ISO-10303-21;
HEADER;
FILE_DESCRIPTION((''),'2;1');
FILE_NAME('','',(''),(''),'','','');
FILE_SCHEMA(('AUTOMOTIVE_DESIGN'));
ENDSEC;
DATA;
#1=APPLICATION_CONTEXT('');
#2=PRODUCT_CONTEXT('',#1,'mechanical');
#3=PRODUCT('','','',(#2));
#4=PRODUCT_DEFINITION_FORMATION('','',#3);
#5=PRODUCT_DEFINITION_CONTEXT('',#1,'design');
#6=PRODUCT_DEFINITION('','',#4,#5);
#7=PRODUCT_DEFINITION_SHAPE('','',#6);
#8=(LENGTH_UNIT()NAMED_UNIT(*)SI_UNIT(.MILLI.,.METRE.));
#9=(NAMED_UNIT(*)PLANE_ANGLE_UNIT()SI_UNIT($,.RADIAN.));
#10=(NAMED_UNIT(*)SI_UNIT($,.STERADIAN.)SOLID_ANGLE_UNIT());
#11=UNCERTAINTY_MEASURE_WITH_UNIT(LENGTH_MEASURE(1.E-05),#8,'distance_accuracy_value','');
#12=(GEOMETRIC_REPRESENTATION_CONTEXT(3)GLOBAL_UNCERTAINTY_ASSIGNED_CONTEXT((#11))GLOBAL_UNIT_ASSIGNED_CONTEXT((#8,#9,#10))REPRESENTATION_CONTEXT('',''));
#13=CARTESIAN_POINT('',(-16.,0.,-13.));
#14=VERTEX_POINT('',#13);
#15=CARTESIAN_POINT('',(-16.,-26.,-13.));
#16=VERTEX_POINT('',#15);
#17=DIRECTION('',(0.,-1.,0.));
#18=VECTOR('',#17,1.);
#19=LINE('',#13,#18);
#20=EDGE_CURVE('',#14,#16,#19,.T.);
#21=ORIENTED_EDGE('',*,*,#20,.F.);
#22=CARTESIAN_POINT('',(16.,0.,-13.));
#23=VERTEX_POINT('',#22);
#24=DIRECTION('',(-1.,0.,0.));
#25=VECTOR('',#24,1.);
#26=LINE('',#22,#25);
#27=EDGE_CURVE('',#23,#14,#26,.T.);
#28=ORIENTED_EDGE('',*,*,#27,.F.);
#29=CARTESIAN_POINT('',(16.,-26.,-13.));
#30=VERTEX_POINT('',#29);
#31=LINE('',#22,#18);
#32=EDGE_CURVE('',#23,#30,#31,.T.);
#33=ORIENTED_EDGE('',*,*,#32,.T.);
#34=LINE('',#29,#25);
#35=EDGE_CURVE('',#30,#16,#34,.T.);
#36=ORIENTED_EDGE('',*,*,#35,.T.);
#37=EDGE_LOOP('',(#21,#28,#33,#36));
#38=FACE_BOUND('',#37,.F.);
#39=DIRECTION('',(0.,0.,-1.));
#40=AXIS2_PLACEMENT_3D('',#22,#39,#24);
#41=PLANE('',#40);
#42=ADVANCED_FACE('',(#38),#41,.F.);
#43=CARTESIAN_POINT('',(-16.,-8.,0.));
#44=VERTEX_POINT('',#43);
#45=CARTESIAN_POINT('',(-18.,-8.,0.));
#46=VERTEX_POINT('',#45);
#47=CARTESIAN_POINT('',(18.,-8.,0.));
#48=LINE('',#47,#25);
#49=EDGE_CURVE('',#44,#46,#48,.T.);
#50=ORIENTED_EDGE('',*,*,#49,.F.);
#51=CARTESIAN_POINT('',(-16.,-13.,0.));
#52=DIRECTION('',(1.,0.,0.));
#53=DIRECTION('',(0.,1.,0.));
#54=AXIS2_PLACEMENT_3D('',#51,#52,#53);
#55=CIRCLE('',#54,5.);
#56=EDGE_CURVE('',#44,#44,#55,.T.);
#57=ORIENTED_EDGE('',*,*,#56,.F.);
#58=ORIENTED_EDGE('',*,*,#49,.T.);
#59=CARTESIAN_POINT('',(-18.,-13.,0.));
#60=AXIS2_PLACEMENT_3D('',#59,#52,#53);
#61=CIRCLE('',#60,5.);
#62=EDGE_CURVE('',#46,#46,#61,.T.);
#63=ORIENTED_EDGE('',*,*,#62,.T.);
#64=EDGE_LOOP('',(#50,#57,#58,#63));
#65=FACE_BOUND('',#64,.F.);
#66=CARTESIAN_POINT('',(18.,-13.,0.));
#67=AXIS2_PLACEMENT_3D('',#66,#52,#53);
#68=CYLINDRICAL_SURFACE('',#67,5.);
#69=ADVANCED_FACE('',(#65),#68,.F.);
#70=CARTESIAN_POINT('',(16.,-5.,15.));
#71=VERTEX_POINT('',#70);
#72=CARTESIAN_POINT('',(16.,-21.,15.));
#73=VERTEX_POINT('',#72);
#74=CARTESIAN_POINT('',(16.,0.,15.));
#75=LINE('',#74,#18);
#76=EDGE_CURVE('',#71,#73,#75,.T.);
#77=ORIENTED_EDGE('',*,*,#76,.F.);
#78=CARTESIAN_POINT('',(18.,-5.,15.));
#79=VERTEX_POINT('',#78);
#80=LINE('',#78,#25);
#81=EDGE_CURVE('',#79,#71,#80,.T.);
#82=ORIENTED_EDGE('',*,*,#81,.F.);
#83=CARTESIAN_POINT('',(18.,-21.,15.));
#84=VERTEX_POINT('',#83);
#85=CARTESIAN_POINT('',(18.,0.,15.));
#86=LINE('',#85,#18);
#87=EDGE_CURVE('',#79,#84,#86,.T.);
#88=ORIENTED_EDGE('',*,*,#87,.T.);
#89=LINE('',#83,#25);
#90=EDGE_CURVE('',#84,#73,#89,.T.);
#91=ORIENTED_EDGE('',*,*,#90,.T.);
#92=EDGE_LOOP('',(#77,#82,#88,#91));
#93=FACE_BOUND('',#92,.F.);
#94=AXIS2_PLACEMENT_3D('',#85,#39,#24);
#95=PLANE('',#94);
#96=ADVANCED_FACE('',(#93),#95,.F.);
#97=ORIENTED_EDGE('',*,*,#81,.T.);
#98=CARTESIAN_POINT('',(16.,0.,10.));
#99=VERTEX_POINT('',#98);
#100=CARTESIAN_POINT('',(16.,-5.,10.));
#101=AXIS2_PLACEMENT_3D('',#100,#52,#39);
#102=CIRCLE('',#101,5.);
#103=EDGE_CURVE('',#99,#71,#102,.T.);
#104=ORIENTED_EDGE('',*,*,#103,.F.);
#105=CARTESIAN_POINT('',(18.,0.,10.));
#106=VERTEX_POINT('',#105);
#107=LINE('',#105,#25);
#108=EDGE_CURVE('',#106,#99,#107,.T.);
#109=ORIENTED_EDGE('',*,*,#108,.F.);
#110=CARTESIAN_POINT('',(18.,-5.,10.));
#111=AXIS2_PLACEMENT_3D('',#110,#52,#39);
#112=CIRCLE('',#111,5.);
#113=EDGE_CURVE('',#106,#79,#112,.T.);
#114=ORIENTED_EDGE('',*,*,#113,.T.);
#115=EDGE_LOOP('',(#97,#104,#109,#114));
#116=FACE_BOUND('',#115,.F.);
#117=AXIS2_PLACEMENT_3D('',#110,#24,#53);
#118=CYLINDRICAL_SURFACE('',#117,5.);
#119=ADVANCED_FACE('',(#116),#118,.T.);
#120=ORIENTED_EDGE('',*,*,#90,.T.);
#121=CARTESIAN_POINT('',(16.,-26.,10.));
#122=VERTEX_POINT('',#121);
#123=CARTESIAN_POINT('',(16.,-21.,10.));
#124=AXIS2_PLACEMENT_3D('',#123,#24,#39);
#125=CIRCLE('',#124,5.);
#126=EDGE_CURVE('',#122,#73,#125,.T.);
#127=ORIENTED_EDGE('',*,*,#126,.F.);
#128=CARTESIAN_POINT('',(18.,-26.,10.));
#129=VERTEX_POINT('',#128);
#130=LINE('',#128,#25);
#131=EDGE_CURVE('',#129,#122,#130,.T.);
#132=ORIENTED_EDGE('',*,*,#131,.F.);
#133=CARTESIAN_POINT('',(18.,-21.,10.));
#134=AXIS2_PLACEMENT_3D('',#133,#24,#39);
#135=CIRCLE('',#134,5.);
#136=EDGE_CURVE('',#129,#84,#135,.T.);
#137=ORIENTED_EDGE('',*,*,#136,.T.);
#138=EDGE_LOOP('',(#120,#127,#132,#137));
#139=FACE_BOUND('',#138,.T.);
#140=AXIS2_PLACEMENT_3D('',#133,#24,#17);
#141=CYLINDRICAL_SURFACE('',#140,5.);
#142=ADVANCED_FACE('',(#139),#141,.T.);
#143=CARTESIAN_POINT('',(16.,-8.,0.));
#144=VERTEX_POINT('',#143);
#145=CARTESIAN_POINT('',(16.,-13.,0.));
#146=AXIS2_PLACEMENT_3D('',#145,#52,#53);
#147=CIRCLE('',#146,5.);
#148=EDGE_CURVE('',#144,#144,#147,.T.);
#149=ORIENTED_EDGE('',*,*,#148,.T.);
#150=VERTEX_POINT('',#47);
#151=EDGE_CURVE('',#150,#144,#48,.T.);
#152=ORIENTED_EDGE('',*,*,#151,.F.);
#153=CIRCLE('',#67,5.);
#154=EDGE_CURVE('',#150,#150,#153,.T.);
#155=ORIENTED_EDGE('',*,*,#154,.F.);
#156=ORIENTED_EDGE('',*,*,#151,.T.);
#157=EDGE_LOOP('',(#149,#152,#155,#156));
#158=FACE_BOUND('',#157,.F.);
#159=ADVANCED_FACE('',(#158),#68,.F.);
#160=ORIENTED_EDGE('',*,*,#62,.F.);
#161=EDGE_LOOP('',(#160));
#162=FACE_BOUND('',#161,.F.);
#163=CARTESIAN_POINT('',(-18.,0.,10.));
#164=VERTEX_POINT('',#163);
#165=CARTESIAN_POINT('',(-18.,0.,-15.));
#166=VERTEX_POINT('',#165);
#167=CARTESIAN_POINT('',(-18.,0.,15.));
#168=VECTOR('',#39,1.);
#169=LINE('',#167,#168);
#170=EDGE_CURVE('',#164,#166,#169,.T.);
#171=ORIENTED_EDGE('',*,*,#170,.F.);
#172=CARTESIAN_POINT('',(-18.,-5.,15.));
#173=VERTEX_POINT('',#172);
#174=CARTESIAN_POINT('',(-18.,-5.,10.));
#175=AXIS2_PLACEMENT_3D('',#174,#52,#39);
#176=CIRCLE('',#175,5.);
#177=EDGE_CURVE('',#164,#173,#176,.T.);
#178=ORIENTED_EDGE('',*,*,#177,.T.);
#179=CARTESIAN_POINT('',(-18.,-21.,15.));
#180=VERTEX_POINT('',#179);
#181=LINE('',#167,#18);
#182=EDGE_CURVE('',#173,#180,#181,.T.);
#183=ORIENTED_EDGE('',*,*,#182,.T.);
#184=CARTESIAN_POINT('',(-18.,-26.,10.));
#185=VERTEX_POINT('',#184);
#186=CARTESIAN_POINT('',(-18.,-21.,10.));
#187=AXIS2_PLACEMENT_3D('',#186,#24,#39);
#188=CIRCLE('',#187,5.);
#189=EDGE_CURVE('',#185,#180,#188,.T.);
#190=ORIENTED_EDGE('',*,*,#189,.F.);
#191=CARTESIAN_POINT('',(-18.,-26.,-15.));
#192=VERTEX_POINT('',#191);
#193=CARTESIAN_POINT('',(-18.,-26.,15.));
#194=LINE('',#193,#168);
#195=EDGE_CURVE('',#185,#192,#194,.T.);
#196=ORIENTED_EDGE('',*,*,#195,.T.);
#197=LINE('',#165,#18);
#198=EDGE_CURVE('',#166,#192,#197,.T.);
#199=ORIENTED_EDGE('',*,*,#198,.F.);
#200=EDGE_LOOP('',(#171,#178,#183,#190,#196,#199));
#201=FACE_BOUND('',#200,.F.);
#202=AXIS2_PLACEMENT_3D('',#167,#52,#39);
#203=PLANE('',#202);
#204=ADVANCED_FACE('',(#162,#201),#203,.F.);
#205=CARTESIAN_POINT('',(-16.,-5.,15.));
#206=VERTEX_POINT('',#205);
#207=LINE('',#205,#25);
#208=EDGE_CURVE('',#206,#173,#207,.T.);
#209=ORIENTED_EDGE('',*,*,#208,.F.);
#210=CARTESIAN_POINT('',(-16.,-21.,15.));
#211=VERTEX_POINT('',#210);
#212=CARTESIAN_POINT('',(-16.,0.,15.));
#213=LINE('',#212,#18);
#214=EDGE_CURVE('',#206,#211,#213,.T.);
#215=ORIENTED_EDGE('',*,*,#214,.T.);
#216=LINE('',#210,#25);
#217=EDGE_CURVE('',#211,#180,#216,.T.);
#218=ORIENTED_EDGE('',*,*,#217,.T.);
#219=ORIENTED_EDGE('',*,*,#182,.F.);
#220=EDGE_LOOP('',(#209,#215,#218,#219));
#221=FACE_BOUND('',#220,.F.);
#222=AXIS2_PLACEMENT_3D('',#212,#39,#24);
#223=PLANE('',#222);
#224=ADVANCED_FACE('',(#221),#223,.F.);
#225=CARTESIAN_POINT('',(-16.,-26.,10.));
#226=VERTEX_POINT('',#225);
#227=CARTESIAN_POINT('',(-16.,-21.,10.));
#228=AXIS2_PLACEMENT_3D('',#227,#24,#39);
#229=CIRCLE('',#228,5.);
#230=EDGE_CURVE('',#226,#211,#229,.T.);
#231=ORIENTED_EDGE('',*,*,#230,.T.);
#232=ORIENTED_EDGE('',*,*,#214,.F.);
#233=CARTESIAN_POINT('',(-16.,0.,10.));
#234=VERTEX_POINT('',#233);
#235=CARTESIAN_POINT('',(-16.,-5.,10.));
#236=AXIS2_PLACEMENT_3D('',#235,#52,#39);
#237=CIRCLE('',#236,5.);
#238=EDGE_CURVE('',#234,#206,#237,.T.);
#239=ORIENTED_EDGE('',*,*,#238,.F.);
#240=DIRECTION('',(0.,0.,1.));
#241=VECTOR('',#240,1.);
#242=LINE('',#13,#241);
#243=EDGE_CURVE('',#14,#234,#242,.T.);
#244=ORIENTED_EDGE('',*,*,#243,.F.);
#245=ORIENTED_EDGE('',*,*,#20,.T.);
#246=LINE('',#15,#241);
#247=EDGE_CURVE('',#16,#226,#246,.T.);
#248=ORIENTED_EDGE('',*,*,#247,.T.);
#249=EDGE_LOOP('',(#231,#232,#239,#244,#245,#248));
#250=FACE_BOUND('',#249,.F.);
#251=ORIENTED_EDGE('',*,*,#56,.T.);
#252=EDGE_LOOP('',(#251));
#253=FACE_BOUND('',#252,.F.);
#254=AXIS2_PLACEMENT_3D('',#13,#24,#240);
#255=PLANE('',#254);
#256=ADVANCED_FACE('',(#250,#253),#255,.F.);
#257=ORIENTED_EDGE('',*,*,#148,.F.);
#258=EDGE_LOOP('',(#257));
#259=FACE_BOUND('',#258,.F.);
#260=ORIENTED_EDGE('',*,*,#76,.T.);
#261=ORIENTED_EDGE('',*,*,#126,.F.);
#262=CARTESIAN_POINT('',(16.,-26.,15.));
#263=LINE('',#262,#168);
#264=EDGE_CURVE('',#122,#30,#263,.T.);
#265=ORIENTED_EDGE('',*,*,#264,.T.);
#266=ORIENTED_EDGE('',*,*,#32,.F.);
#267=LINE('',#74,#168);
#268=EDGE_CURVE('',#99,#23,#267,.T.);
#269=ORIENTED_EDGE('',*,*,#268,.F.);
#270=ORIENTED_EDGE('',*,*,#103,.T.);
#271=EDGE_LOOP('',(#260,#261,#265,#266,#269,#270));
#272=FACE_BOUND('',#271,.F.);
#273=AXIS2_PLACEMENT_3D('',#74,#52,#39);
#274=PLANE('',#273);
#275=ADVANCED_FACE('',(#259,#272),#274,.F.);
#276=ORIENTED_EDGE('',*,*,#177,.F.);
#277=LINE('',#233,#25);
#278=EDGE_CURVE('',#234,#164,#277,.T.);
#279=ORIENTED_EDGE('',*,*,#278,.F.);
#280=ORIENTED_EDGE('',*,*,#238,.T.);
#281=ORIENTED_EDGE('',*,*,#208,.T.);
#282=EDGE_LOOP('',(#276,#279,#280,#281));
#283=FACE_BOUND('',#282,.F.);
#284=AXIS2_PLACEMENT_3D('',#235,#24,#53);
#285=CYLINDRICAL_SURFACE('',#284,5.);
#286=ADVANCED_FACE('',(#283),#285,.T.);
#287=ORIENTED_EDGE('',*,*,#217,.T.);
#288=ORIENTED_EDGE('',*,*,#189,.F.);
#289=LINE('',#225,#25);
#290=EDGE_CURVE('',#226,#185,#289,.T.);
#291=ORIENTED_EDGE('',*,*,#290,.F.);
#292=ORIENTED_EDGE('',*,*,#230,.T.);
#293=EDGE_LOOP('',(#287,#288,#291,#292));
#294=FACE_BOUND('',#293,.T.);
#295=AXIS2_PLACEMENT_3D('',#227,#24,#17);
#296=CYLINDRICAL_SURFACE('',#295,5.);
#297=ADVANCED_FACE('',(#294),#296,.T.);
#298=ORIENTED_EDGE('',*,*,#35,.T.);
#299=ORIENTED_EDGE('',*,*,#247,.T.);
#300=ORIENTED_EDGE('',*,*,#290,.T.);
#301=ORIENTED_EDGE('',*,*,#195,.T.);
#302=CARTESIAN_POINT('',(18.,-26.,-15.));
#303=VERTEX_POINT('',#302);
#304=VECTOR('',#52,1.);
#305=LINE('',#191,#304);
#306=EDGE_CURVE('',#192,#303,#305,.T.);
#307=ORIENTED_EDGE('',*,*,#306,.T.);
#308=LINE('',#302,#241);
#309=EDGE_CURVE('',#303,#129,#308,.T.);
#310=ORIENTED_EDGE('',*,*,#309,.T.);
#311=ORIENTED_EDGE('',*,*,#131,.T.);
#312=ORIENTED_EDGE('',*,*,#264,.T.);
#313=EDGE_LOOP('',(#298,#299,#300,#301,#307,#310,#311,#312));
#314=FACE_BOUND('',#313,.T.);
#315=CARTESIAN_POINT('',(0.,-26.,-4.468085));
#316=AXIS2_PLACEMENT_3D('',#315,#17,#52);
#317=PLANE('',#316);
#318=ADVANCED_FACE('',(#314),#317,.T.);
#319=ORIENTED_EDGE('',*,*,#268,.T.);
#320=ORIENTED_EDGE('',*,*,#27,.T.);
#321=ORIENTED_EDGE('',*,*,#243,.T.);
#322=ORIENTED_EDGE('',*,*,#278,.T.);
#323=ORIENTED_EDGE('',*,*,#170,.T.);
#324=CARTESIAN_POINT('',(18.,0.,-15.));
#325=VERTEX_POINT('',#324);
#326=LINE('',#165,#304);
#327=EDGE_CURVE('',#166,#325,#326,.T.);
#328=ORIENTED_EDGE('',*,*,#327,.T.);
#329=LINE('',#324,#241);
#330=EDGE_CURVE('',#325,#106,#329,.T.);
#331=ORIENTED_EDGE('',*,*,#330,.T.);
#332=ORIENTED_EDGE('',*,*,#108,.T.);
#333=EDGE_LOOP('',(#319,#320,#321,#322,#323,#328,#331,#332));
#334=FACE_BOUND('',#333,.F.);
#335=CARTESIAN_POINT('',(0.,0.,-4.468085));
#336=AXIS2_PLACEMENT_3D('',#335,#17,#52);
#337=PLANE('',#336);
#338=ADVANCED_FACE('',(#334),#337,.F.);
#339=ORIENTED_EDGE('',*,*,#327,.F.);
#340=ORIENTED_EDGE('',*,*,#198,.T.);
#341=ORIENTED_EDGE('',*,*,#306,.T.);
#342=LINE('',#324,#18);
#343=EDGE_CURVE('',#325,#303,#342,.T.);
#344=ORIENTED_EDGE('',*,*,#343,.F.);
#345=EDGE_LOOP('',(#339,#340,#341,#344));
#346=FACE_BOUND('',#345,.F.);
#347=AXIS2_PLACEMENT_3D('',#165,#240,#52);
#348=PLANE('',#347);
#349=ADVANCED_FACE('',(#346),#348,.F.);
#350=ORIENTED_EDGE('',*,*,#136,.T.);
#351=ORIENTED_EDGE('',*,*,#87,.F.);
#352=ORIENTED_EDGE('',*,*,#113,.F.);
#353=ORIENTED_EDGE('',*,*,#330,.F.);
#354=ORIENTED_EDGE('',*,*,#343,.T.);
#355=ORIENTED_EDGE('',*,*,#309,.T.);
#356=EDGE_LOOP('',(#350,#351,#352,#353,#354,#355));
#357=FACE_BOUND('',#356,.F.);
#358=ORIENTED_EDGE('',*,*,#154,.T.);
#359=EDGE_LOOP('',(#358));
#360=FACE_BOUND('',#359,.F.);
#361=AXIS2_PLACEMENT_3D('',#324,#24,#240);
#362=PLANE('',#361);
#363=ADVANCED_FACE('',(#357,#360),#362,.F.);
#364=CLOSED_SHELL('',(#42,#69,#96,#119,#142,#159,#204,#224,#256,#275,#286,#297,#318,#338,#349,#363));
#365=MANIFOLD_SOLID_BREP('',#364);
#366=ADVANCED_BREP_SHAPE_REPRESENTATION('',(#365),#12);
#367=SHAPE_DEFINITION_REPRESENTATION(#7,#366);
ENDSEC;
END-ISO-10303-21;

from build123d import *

# Parameters (mm, degrees)
F1_DEPTH = 26
F2_R     = 5
F3_DEPTH = 40
F4_R     = 5


with BuildPart() as f1:
    # F0 (on Front) → F1 (new body)
    with BuildSketch(Plane.XZ):
        Polygon((-18, -15), (18, -15), (18, 15), (16, 15), (16, -13), (-16, -13), (-16, 15), (-18, 15), align=None)
    extrude(amount=F1_DEPTH)

    # F2 (on face) → F3 (cut)
    with BuildSketch(Plane.YZ.offset(18)):
        with Locations((-13, 0)):
            Circle(F2_R)
    extrude(amount=-F3_DEPTH, mode=Mode.SUBTRACT)

    # F4
    f4_edges = [f1.edges().sort_by_distance(p)[0] for p in [
        (-17, 0, 15),
        (17, 0, 15),
        (-17, -26, 15),
        (17, -26, 15),
    ]]
    fillet(f4_edges, radius=F4_R)


solid = f1.part
